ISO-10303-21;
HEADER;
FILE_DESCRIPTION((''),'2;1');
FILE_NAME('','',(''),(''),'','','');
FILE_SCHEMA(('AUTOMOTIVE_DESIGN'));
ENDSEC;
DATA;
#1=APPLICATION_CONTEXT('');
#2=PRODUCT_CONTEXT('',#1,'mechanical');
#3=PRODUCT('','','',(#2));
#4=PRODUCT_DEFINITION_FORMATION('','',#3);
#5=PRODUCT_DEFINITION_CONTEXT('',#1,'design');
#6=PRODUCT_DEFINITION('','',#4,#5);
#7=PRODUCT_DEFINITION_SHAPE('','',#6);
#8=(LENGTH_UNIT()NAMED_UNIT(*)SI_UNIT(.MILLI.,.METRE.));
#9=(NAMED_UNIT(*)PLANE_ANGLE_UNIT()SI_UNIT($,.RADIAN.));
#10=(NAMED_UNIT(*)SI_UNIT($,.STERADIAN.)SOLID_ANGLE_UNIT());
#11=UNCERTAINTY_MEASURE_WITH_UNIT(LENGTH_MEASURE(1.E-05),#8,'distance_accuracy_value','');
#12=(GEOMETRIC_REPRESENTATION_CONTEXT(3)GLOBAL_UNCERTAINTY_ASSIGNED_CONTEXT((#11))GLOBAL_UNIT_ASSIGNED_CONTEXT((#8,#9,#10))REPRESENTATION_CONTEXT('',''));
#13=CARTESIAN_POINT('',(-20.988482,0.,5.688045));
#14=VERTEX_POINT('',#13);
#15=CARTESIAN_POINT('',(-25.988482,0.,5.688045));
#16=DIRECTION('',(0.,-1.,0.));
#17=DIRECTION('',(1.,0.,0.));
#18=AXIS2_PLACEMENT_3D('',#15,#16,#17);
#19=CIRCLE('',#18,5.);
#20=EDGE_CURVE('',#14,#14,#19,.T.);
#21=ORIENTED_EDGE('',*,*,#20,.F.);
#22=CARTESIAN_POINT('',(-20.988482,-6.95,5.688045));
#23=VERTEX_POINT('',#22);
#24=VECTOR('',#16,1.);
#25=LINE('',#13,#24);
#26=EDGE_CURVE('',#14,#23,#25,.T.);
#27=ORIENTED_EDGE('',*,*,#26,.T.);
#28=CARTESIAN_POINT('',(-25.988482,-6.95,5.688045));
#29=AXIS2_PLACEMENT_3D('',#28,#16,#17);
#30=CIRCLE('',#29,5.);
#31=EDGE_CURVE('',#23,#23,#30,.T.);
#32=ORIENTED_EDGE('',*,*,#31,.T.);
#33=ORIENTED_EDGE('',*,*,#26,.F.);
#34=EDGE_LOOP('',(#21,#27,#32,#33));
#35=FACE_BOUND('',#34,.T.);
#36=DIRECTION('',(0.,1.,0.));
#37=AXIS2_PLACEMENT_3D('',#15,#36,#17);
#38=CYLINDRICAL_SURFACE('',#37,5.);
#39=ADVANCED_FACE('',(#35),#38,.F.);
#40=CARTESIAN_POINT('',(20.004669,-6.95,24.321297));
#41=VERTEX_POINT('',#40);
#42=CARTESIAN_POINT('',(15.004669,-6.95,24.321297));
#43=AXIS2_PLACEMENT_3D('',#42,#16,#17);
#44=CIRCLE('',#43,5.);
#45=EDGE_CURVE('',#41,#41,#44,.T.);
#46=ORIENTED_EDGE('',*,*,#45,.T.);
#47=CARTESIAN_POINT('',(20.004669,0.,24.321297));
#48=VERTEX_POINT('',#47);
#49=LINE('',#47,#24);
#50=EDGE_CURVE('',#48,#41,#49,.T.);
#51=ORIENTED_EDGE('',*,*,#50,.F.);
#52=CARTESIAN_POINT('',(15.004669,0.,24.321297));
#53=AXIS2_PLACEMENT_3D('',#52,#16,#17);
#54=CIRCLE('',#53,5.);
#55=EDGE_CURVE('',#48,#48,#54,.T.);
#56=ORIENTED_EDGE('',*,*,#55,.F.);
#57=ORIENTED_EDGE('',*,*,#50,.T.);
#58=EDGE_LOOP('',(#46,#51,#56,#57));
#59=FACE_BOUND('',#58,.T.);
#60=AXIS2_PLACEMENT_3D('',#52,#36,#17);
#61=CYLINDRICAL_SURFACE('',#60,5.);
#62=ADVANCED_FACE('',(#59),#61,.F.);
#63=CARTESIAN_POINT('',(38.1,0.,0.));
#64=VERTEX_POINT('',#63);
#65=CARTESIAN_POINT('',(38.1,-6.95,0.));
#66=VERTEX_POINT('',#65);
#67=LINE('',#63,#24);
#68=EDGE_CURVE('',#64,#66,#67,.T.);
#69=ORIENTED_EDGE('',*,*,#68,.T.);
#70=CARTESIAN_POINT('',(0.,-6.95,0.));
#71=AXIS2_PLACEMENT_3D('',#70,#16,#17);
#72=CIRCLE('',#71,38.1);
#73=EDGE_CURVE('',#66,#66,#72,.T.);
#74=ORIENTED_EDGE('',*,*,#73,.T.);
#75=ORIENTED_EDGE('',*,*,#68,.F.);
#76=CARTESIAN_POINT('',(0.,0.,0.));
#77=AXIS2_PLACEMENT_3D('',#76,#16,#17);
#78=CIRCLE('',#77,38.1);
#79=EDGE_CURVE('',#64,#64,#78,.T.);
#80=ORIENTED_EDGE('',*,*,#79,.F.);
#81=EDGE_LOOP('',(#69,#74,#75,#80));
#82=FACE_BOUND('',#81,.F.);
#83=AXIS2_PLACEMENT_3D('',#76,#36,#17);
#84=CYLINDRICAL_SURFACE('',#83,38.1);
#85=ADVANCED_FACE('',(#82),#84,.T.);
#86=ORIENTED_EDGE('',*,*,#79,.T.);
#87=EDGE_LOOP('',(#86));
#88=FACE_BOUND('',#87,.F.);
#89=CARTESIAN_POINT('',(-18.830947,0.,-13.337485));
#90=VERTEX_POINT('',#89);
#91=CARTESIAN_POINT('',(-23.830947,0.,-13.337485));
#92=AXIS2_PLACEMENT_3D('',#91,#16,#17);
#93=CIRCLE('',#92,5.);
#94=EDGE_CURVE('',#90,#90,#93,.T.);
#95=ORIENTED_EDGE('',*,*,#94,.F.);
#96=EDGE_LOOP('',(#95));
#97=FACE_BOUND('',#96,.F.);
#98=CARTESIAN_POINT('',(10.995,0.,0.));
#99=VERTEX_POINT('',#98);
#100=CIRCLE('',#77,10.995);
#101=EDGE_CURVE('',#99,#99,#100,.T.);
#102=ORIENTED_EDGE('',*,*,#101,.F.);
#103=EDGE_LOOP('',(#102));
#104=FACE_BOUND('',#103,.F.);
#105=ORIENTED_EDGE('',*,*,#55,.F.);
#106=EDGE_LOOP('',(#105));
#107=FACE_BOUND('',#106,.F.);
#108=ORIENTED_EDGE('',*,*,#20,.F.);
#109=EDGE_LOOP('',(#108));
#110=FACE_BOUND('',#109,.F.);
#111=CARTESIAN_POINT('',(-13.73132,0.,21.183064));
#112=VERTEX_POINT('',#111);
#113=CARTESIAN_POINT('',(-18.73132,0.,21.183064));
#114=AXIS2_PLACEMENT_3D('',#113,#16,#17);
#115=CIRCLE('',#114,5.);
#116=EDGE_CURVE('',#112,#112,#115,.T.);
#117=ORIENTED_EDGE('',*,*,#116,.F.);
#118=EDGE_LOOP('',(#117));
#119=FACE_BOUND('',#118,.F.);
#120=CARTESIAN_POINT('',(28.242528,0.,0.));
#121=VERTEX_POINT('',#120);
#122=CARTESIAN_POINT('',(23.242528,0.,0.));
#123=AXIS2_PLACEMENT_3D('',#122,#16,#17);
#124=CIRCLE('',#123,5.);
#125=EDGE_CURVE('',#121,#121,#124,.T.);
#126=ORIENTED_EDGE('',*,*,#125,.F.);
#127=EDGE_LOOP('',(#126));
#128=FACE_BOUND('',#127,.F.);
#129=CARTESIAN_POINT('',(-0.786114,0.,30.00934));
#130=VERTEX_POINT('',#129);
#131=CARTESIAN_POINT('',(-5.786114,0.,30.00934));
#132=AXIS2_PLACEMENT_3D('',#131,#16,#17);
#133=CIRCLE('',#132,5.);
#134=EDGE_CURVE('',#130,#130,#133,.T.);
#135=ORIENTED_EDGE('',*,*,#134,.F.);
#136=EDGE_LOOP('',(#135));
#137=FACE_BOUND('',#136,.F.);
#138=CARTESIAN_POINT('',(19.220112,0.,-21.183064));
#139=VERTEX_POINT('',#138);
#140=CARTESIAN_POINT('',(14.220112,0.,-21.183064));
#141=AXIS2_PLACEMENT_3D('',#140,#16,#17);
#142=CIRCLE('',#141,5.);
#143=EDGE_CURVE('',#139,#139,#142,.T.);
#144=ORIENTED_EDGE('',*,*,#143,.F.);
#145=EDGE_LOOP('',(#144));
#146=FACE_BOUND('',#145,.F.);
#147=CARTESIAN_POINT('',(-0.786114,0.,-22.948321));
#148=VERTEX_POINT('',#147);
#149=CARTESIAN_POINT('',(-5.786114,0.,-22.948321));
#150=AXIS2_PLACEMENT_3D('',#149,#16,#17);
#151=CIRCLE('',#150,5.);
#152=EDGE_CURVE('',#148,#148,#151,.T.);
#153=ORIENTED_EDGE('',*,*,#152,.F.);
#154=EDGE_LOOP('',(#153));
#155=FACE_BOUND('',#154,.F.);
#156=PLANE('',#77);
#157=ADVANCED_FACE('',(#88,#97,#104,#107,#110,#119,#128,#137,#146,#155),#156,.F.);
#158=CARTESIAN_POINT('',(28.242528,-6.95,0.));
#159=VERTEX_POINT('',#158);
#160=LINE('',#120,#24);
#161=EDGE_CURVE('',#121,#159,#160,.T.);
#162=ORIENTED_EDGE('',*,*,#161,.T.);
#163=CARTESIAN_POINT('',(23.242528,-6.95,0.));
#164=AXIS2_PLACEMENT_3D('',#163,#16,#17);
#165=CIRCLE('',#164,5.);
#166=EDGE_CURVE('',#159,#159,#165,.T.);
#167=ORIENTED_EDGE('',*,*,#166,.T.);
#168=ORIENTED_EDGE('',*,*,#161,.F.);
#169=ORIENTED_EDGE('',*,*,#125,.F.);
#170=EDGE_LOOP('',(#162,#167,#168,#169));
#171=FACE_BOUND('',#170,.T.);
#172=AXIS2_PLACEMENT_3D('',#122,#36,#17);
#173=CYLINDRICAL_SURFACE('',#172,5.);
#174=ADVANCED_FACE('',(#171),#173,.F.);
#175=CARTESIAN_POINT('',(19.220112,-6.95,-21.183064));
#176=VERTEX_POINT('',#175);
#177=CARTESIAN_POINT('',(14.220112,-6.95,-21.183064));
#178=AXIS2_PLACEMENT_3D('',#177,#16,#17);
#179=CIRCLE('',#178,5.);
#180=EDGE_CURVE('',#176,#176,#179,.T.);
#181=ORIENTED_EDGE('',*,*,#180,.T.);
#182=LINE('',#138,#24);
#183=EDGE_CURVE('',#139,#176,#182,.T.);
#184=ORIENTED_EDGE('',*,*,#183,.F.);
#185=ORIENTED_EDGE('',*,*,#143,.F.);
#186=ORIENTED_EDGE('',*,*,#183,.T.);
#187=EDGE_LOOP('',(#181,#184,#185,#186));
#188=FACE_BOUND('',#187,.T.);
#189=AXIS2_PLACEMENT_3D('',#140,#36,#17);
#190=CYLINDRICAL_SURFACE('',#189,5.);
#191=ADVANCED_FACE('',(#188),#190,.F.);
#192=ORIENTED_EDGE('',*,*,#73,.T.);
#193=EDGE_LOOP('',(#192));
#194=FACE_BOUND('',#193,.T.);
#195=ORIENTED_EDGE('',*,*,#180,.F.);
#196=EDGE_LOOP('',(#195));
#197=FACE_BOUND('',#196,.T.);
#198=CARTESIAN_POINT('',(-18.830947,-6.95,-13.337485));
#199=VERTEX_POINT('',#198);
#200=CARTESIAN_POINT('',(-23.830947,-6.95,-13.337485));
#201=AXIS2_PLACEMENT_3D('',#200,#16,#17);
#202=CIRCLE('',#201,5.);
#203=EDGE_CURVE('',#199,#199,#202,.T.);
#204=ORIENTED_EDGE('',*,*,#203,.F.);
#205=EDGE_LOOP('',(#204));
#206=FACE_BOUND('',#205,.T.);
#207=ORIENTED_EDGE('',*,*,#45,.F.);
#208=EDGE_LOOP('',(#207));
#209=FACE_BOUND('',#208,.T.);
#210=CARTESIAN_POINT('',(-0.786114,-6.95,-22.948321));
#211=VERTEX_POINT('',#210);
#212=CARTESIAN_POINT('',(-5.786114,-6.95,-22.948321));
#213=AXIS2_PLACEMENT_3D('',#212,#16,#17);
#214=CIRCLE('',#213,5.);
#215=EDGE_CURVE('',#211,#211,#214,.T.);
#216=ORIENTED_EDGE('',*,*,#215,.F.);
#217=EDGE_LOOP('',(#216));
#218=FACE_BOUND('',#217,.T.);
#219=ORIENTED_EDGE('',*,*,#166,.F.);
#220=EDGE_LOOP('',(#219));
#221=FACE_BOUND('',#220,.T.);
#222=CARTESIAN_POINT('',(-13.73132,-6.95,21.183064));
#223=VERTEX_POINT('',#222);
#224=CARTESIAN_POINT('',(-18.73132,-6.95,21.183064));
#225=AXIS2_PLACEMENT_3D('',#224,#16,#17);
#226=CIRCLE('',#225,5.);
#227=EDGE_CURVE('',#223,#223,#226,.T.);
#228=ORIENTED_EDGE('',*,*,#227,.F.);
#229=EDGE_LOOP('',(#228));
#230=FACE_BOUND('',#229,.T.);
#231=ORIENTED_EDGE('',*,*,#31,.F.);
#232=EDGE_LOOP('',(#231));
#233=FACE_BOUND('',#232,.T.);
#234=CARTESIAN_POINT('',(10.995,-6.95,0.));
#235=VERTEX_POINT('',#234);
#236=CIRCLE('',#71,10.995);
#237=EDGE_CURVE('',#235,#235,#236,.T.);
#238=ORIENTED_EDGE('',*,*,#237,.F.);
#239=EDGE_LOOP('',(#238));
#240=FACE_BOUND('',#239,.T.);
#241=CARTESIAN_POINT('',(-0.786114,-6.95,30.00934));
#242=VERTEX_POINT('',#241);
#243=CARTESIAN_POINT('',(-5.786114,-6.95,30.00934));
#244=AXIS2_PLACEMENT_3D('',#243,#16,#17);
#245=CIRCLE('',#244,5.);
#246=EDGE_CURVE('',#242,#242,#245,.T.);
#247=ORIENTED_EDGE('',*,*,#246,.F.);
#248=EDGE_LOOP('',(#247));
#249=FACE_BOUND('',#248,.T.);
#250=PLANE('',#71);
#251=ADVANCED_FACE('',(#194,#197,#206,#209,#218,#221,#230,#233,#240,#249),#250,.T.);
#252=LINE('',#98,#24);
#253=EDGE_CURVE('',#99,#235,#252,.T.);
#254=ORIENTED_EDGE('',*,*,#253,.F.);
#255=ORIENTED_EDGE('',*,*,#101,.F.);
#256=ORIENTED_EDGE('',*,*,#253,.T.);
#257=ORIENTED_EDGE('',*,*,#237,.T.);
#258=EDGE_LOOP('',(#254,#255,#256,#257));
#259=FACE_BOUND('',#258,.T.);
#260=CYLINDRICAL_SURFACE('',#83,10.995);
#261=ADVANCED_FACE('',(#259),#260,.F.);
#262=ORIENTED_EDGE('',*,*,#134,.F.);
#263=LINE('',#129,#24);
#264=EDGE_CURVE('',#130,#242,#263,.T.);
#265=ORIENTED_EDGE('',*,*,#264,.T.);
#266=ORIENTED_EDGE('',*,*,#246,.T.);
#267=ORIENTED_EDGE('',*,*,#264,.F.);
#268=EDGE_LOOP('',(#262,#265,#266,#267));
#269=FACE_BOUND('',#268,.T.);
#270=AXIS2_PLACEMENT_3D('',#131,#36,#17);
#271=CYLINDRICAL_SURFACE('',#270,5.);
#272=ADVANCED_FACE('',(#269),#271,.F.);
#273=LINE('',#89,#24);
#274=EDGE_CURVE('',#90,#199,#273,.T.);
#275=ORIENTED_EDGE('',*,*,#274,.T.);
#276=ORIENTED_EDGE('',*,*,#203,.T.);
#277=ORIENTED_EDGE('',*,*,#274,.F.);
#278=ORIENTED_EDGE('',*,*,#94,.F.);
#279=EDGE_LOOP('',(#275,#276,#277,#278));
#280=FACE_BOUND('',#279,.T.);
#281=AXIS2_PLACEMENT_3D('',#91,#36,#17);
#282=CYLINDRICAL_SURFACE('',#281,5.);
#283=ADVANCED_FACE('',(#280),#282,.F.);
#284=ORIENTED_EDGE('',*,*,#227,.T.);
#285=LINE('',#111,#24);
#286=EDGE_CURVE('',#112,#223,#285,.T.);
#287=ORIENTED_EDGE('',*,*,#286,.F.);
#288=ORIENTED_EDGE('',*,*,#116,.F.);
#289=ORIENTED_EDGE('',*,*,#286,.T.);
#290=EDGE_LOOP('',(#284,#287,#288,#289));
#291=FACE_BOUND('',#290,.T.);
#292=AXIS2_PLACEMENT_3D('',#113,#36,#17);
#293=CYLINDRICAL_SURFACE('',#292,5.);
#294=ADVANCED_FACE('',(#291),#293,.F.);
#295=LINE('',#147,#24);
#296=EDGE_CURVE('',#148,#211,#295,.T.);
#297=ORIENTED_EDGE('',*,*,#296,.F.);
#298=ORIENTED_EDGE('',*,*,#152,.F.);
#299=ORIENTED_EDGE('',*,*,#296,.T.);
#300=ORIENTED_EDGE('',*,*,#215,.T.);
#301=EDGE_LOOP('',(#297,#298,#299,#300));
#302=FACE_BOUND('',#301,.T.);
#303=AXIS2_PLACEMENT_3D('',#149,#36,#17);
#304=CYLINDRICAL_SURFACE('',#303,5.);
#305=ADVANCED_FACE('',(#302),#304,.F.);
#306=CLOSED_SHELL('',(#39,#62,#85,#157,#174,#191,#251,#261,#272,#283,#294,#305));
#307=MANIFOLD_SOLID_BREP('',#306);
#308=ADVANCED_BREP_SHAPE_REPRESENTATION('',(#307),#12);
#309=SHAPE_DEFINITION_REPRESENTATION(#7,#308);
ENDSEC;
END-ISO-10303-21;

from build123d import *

# Parameters (mm, degrees)
F0_R     = 38.1
F0_R_2   = 5
F0_R_3   = 10.995
F1_DEPTH = 6.95


with BuildPart() as f1:
    # F0 (on Front) → F1 (new body)
    with BuildSketch(Plane.XZ):
        Circle(F0_R)
        with Locations((-5.786114, -22.948321)):
            Circle(F0_R_2, mode=Mode.SUBTRACT)
        with Locations((-23.830947, -13.337485)):
            Circle(F0_R_2, mode=Mode.SUBTRACT)
        with Locations((14.220112, -21.183064)):
            Circle(F0_R_2, mode=Mode.SUBTRACT)
        with Locations((-25.988482, 5.688045)):
            Circle(F0_R_2, mode=Mode.SUBTRACT)
        with Locations((-18.73132, 21.183064)):
            Circle(F0_R_2, mode=Mode.SUBTRACT)
        with Locations((-5.786114, 30.00934)):
            Circle(F0_R_2, mode=Mode.SUBTRACT)
        Circle(F0_R_3, mode=Mode.SUBTRACT)
        with Locations((23.242528, 0)):
            Circle(F0_R_2, mode=Mode.SUBTRACT)
        with Locations((15.004669, 24.321297)):
            Circle(F0_R_2, mode=Mode.SUBTRACT)
    extrude(amount=F1_DEPTH)


solid = f1.part
